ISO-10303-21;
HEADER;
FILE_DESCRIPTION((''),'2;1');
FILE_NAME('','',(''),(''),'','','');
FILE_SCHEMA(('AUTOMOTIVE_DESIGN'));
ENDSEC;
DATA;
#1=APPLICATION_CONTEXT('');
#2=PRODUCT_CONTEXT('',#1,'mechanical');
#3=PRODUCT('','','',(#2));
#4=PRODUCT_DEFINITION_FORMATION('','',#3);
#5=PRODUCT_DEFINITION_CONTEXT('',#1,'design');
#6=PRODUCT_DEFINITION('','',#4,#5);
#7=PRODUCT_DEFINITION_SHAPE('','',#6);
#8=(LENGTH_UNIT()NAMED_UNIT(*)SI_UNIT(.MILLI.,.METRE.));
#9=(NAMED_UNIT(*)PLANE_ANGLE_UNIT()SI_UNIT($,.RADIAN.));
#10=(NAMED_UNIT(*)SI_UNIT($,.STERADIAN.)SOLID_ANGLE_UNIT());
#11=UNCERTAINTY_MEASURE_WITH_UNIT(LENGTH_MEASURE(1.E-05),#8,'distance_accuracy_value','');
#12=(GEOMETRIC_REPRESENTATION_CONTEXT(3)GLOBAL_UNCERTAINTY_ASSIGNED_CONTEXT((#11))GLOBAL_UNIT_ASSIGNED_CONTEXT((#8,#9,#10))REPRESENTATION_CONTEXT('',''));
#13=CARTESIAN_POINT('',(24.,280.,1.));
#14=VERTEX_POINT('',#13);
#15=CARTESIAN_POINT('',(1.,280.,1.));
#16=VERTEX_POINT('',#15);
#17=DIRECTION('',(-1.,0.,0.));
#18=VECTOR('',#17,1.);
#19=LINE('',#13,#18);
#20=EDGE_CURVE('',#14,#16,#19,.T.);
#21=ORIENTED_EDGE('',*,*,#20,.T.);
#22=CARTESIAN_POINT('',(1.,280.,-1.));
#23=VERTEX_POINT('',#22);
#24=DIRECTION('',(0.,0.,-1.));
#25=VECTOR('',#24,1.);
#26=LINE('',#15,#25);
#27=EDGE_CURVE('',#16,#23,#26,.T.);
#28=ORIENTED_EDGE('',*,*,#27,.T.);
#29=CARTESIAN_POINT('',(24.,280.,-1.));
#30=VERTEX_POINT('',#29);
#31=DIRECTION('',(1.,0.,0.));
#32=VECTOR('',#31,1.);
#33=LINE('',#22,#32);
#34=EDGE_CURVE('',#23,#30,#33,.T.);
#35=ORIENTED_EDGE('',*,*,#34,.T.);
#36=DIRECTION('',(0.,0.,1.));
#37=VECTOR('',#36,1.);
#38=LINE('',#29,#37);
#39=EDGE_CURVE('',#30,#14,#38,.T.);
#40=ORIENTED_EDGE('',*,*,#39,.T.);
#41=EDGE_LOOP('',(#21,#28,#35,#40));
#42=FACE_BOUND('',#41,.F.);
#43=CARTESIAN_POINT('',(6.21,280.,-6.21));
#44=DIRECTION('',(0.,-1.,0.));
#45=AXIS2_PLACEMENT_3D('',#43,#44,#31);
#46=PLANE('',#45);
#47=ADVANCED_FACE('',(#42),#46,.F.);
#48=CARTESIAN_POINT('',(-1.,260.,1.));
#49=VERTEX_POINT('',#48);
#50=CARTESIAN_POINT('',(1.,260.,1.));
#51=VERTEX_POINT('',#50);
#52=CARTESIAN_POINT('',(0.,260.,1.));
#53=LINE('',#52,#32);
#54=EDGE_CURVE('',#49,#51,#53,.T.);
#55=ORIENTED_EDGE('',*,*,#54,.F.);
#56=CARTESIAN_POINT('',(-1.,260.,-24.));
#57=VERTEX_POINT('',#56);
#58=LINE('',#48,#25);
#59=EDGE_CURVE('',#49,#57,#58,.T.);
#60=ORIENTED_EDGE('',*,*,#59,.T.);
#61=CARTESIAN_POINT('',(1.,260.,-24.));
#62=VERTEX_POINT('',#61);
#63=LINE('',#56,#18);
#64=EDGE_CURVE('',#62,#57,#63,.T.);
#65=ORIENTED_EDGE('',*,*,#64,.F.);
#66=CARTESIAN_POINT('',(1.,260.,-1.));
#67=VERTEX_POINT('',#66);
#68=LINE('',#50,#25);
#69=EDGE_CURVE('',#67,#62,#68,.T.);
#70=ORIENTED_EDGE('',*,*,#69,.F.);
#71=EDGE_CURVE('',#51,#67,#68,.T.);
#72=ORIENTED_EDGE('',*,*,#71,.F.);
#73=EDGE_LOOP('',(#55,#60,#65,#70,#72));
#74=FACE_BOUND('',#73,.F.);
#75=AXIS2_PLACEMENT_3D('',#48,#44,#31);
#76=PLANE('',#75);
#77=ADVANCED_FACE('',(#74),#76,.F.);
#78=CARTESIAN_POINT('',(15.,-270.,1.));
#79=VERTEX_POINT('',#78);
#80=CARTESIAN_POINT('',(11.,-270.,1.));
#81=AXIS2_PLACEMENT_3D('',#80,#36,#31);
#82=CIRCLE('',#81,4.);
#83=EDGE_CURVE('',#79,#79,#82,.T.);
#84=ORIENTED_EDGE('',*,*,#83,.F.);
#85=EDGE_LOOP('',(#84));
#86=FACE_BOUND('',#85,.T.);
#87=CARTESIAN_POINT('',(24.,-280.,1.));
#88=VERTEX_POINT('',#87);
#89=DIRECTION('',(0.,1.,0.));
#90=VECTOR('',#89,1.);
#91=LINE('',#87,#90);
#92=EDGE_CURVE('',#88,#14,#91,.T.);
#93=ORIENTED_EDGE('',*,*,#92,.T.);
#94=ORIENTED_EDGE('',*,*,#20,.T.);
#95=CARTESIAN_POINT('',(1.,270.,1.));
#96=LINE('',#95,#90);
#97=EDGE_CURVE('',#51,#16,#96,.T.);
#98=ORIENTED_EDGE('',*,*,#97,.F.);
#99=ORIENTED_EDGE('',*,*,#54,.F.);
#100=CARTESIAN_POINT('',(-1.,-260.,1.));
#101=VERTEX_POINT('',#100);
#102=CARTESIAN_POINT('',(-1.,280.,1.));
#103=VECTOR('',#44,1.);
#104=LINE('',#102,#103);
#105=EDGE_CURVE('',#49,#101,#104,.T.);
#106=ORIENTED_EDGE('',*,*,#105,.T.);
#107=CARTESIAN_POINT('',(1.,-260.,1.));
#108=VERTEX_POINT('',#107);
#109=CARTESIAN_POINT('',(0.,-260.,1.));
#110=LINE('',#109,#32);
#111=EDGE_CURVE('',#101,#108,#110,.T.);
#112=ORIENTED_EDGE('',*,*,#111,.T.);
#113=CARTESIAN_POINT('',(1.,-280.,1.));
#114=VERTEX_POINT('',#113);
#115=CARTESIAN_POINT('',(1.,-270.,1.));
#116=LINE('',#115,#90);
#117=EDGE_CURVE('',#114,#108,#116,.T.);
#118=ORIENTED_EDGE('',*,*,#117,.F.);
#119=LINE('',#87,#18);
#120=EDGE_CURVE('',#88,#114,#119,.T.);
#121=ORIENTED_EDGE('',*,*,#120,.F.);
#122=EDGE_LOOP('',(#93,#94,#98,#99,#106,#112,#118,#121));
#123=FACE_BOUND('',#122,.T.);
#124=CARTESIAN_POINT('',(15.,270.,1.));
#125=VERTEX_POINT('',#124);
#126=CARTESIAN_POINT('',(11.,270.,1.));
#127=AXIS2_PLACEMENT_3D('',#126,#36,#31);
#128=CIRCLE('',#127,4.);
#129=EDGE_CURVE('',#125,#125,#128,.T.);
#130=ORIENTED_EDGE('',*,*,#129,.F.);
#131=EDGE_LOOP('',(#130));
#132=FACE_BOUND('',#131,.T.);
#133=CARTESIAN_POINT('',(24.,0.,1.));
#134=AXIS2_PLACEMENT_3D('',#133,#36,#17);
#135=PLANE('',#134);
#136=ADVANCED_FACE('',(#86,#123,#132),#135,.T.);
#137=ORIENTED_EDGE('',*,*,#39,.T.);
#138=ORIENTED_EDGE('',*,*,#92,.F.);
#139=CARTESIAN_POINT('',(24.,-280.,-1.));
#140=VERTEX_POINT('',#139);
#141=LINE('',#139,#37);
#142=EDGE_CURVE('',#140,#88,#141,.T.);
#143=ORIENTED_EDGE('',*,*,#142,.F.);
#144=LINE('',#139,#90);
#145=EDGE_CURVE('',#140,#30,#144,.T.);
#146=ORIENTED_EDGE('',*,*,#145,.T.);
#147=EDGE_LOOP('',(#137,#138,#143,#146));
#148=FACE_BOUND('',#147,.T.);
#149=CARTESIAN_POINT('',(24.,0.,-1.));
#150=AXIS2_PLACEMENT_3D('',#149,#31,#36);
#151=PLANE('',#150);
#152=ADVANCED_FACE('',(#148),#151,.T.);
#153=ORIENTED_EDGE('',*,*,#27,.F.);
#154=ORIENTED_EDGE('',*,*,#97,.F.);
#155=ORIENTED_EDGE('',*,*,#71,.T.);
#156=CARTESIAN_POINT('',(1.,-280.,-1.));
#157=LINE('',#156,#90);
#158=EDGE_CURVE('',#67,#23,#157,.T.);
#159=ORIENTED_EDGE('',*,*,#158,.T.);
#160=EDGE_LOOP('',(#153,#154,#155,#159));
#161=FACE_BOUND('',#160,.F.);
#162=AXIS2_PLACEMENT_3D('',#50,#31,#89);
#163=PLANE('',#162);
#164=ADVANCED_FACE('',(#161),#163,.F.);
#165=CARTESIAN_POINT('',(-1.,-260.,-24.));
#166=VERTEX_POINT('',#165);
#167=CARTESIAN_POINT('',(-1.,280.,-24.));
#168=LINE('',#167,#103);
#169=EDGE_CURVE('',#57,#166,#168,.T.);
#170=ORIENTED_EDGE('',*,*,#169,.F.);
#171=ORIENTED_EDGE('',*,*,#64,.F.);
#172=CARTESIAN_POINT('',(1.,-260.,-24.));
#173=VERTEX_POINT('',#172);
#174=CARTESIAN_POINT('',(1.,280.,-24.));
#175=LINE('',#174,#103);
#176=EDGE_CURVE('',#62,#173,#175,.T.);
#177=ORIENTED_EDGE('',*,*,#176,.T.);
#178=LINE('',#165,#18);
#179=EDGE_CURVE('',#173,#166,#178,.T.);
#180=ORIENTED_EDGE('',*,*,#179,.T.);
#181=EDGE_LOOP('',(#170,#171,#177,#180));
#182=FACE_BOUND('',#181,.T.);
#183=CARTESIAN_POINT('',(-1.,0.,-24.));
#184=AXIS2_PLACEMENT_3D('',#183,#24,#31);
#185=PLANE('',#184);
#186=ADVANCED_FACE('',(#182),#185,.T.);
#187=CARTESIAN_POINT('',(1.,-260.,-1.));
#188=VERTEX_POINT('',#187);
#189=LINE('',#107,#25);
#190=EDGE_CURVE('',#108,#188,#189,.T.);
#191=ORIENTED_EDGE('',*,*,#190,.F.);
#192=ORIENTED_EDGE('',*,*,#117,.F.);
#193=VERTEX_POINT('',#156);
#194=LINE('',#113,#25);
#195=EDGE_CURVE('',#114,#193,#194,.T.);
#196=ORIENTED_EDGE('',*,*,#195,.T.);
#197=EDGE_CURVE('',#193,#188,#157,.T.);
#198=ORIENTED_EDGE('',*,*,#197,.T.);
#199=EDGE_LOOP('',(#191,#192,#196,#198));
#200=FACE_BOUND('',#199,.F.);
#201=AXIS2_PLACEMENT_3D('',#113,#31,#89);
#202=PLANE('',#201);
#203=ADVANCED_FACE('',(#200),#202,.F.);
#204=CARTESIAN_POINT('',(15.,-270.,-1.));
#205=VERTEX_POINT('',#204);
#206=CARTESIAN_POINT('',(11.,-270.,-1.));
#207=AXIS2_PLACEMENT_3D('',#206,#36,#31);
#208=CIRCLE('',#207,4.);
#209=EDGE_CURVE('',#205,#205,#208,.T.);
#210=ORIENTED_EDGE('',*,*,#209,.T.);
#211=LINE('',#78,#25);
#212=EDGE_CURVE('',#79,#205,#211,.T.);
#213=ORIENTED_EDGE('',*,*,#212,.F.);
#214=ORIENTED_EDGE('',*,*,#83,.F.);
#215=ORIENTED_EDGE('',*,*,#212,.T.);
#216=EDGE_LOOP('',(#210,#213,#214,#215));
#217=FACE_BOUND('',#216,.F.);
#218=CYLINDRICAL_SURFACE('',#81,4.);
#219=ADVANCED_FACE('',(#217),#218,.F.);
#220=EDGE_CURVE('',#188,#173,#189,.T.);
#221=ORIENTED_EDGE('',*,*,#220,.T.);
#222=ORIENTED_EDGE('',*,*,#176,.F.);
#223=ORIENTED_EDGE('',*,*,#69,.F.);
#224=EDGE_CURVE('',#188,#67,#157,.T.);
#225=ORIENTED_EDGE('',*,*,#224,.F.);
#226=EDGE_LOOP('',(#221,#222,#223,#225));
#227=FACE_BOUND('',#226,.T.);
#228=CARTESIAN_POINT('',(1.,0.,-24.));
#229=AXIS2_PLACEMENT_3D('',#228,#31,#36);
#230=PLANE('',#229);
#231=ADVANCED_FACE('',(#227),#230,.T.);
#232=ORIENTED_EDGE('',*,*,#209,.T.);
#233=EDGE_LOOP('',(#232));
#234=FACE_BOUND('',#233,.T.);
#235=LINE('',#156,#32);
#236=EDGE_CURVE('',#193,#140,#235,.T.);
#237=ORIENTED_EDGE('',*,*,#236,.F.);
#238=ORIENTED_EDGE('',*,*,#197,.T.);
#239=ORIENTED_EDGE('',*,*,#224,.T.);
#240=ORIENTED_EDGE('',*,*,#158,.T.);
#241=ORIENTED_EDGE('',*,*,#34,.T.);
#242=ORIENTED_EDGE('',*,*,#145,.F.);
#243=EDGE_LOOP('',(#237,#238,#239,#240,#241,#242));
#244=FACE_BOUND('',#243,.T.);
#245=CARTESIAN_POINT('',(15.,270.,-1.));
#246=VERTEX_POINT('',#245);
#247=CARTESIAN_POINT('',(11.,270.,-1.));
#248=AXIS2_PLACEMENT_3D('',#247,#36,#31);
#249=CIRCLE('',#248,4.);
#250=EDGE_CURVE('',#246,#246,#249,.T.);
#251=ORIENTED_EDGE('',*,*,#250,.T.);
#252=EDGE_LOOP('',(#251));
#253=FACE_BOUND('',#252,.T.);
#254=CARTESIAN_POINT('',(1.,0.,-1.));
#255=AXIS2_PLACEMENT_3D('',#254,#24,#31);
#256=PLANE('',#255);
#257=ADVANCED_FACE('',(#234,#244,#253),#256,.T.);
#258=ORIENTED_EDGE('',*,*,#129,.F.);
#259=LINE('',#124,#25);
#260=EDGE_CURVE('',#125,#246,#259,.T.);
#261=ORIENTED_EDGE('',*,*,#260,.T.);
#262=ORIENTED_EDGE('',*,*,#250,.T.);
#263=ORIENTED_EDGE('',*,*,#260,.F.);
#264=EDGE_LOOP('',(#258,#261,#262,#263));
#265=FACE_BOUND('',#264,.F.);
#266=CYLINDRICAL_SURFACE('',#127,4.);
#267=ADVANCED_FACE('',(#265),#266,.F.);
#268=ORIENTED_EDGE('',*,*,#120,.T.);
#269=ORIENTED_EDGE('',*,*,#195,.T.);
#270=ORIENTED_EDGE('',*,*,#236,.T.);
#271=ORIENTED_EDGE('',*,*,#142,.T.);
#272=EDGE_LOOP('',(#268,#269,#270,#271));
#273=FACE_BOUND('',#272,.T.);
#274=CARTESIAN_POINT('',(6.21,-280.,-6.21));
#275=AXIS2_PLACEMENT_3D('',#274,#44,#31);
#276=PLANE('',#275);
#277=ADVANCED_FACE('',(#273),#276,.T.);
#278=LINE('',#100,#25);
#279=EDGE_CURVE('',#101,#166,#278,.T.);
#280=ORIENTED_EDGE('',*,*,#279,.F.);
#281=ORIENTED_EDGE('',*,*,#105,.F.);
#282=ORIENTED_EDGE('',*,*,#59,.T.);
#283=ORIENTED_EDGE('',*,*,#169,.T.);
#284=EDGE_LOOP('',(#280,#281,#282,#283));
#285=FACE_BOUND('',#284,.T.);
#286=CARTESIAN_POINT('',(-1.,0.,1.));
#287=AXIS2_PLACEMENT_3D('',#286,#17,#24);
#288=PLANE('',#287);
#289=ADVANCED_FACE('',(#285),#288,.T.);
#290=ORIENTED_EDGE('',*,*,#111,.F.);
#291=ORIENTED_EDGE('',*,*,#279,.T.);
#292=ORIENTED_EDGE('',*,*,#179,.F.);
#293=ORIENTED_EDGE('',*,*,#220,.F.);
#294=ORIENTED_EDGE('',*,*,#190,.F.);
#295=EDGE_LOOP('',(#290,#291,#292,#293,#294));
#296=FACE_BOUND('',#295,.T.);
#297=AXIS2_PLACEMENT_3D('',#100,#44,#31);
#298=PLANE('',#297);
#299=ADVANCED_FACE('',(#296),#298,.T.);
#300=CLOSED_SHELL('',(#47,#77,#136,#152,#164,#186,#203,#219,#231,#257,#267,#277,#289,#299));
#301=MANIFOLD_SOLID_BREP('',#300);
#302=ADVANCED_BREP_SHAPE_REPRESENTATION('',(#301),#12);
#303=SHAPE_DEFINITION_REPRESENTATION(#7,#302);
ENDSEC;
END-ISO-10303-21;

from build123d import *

# Parameters (mm, degrees)
F1_DEPTH = 280
F2_W     = 2
F2_H     = 20
F2_R     = 4
F3_DEPTH = 42


with BuildPart() as f1:
    # F0 (on Front) → F1 (new body, symmetric)
    with BuildSketch(Plane.XZ):
        Polygon((24, 1), (-1, 1), (-1, -24), (1, -24), (1, -1), (24, -1), align=None)
    extrude(amount=F1_DEPTH, both=True)

    # F2 (on face) → F3 (cut)
    with BuildSketch(Plane.XY.offset(1)):
        with Locations((0, -270)):
            Rectangle(F2_W, F2_H)
        with Locations((0, 270)):
            Rectangle(F2_W, F2_H)
        with Locations((11, 270)):
            Circle(F2_R)
        with Locations((11, -270)):
            Circle(F2_R)
    extrude(amount=-F3_DEPTH, mode=Mode.SUBTRACT)


solid = f1.part
